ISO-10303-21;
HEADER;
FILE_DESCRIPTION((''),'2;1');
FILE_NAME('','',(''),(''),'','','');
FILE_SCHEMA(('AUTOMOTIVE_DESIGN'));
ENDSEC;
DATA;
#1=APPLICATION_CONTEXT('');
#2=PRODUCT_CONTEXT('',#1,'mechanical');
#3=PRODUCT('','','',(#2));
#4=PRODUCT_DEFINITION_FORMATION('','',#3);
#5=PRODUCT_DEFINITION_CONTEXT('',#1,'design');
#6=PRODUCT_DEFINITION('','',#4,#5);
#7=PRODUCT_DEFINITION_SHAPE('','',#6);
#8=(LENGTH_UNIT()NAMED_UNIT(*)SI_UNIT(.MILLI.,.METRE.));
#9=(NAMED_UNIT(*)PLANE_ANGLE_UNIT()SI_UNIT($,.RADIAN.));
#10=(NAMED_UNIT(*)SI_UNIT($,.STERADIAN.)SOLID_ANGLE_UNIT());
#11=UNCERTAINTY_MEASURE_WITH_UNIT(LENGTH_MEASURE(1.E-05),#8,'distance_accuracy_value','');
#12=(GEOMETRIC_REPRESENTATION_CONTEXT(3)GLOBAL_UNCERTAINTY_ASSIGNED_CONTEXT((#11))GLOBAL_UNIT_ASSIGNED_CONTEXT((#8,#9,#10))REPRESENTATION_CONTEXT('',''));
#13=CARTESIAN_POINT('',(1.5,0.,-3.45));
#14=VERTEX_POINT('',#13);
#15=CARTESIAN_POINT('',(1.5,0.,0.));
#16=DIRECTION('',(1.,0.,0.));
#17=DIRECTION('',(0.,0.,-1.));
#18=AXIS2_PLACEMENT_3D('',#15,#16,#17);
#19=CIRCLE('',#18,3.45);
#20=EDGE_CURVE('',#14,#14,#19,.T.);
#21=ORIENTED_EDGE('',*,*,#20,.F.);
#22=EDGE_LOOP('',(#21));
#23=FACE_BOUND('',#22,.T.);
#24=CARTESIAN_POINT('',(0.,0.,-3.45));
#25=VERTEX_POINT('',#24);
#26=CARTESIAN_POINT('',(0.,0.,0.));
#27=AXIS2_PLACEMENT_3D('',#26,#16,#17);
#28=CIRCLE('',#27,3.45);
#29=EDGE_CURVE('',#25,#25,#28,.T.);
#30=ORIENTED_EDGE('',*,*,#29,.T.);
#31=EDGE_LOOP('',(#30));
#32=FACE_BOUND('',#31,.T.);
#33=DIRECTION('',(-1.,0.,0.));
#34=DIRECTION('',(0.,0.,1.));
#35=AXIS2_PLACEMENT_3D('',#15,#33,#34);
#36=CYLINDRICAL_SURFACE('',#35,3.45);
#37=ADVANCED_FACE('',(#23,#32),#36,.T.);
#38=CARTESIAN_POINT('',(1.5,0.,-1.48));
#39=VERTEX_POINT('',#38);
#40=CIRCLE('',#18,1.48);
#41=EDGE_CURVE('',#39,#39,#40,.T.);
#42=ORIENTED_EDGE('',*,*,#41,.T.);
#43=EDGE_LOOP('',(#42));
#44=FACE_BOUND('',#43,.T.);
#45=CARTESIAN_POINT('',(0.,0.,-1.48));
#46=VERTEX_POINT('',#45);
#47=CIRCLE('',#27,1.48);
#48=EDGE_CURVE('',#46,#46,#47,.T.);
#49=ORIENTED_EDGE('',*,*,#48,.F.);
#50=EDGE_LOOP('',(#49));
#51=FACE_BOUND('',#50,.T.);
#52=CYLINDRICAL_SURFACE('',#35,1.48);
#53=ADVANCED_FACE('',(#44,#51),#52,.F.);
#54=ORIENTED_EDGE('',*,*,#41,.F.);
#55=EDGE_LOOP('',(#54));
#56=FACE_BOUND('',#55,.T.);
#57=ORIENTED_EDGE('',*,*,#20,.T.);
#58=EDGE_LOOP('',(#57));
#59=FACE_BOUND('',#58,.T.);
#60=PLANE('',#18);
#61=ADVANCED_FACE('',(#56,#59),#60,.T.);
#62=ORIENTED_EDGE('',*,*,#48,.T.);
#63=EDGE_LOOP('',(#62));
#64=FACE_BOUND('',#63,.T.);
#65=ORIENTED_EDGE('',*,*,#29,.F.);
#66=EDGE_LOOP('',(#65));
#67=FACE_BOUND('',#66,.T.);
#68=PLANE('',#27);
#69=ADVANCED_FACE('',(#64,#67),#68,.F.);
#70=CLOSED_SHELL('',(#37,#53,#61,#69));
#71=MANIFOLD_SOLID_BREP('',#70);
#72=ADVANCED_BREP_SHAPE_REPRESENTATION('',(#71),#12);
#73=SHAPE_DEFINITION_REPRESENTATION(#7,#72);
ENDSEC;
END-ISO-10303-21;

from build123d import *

# Parameters (mm, degrees)
SKETCH_1_R      = 3.45
SKETCH_1_R_2    = 1.48
EXTRUDE_1_DEPTH = 1.5


with BuildPart() as part:
    # 草图1 → 凸台-拉伸1 (new body)
    with BuildSketch(Plane(origin=(0, 0, 0), x_dir=(0, 0, -1), z_dir=(1, 0, 0))):
        Circle(SKETCH_1_R)
        Circle(SKETCH_1_R_2, mode=Mode.SUBTRACT)
    extrude(amount=EXTRUDE_1_DEPTH)


solid = part.part
